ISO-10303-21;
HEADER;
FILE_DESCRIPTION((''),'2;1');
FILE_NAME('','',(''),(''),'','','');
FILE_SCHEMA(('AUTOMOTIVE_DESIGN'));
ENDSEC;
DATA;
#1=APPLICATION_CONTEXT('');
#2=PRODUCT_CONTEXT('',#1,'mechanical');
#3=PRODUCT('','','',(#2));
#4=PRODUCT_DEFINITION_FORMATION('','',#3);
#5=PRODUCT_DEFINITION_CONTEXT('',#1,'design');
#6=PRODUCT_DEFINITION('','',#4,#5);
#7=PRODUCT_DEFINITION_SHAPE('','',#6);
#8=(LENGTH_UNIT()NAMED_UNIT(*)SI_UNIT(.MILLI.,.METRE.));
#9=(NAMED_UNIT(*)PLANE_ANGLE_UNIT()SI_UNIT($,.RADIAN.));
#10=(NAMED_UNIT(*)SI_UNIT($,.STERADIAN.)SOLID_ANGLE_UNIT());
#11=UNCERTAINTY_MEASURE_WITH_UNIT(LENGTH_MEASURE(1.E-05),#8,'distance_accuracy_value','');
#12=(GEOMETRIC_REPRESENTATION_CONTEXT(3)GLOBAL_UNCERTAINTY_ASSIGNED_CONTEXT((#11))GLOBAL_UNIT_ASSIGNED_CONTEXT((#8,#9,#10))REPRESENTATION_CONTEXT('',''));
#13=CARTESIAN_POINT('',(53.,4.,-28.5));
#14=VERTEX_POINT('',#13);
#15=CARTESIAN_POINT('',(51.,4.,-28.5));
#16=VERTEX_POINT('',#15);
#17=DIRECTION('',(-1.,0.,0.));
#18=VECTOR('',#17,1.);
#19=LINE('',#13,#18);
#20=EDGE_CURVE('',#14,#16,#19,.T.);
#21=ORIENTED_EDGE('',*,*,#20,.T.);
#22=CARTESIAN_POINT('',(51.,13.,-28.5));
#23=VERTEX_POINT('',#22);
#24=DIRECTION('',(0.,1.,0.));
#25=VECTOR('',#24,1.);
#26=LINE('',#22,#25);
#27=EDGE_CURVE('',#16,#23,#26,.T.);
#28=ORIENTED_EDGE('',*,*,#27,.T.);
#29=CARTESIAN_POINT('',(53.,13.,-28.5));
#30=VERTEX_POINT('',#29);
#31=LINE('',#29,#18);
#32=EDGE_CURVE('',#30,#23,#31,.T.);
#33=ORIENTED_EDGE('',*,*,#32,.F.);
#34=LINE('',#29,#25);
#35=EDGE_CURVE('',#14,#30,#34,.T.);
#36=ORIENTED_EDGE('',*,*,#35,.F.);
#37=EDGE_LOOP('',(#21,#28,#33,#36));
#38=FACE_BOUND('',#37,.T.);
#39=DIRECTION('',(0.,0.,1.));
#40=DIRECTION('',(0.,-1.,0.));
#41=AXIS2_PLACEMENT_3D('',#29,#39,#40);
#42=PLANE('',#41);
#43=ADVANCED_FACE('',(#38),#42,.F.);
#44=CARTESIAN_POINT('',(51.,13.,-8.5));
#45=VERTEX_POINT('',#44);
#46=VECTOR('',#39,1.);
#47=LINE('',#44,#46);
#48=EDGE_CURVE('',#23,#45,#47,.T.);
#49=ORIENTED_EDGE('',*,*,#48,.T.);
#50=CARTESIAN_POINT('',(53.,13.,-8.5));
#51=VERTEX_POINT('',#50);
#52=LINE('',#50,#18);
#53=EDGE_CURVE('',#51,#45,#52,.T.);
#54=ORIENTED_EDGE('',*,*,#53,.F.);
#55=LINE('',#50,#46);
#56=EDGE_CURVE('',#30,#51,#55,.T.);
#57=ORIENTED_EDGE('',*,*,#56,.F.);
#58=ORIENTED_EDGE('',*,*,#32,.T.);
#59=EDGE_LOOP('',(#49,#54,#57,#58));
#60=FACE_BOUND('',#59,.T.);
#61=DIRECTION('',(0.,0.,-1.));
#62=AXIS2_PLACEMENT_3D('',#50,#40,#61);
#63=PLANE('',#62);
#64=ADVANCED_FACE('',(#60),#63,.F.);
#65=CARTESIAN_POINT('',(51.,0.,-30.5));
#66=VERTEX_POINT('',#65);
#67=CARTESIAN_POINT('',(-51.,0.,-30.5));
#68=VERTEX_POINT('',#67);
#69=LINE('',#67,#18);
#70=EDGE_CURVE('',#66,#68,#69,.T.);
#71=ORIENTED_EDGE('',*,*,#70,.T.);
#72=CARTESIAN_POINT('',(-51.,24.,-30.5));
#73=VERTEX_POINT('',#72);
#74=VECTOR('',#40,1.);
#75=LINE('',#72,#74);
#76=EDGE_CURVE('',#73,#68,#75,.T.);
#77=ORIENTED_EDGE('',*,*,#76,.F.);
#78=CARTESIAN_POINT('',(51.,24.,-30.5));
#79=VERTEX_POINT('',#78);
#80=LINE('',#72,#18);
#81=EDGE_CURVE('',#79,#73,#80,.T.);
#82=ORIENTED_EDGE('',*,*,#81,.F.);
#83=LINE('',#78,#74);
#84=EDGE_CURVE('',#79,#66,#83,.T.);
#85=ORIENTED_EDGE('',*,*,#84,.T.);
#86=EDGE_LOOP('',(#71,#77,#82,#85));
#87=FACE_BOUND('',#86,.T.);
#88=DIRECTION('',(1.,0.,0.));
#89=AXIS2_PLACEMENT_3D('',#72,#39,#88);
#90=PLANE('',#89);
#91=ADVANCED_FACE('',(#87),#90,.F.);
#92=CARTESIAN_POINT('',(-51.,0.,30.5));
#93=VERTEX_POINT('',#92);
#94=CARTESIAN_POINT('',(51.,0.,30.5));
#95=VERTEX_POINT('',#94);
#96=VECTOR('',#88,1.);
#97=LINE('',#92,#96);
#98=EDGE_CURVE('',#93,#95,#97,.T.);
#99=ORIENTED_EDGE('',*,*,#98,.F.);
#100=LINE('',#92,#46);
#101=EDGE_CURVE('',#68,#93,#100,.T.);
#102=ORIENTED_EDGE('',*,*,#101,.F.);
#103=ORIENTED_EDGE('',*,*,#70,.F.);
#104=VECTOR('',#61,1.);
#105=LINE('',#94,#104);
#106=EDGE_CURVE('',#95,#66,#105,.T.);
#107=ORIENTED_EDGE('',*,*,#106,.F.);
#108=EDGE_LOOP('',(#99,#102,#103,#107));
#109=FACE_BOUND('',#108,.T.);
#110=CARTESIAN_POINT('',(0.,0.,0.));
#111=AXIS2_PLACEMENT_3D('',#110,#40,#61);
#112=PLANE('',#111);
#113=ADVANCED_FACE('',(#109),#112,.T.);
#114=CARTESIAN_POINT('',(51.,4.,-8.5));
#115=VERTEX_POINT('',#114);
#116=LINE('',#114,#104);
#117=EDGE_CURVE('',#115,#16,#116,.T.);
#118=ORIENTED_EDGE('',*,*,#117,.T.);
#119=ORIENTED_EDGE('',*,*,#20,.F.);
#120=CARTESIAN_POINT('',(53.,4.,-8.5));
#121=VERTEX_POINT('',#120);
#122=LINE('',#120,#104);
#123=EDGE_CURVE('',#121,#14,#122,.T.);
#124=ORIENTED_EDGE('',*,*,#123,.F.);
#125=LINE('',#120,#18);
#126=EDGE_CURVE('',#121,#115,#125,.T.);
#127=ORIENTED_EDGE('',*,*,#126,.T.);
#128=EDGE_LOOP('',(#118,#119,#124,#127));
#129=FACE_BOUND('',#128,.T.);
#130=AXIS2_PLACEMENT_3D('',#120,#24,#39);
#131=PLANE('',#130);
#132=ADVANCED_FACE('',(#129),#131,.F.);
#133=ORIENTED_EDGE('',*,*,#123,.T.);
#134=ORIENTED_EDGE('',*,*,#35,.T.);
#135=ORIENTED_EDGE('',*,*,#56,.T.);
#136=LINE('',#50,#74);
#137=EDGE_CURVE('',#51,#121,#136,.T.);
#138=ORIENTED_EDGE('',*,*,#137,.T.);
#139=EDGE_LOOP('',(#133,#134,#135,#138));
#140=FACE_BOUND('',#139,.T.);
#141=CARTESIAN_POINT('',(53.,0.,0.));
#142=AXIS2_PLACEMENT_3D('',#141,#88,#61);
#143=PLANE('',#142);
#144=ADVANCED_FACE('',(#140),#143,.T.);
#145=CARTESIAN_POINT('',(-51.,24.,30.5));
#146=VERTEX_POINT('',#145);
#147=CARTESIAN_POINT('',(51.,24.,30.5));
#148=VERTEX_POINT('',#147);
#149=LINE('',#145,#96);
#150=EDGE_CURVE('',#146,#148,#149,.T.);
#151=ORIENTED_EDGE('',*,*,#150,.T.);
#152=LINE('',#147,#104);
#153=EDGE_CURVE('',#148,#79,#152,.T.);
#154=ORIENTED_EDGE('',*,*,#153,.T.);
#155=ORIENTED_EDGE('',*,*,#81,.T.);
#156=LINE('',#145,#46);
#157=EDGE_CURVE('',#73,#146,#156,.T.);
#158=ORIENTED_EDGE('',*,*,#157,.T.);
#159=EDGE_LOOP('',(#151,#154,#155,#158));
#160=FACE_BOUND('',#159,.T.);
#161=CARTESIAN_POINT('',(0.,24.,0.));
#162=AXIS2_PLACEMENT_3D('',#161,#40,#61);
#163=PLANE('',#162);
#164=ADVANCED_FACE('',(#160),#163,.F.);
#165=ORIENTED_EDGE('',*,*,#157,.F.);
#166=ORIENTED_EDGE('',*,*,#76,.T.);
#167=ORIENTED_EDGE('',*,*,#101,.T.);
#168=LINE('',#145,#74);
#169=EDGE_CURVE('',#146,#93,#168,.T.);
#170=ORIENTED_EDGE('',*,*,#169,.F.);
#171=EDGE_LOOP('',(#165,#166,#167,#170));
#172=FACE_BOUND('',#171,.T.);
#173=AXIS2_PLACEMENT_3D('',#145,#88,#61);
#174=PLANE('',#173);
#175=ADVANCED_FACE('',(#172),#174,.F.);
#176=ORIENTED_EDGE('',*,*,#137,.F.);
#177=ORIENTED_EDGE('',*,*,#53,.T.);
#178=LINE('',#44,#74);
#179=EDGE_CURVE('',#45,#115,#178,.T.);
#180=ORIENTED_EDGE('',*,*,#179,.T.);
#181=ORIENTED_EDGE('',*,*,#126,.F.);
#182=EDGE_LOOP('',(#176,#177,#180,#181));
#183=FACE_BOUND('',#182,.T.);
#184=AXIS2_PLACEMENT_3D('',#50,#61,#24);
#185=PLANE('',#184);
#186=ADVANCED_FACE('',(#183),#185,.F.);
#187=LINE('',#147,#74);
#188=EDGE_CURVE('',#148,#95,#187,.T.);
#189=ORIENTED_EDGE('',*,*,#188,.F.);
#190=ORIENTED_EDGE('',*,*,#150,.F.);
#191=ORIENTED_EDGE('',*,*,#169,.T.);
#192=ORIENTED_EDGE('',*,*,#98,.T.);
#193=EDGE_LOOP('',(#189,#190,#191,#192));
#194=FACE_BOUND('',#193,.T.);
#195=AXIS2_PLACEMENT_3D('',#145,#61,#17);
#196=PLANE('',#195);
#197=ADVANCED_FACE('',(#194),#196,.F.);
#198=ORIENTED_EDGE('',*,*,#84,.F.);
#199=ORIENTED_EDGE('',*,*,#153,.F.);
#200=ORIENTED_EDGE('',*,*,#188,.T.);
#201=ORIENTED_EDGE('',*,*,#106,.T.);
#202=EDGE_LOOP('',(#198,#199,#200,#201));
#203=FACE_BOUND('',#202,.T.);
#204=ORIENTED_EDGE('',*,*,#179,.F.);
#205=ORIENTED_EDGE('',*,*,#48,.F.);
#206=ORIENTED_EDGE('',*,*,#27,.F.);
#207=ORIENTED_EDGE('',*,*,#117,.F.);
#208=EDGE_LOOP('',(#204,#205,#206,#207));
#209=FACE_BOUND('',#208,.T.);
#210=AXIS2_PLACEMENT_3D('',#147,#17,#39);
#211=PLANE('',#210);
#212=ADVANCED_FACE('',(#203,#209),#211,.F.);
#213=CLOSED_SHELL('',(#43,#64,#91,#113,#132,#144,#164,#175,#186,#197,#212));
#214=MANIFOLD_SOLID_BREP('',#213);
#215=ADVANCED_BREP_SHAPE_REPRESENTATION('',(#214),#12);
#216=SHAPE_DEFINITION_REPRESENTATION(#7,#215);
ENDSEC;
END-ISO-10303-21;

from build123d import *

# Parameters (mm, degrees)
CROQUIS1_W              = 102
CROQUIS1_H              = 61
SALIENTE_EXTRUIR1_DEPTH = 24
CROQUIS2_W              = 20
CROQUIS2_H              = 9
SALIENTE_EXTRUIR2_DEPTH = 2


with BuildPart() as part:
    # Croquis1 → Saliente-Extruir1 (new body)
    with BuildSketch(Plane(origin=(0, 0, 0), x_dir=(1, 0, 0), z_dir=(0, 1, 0))):
        Rectangle(CROQUIS1_W, CROQUIS1_H)
    extrude(amount=SALIENTE_EXTRUIR1_DEPTH)

    # Croquis2 → Saliente-Extruir2 (add)
    with BuildSketch(Plane(origin=(51, 0, 0), x_dir=(0, 0, -1), z_dir=(1, 0, 0))):
        with Locations((18.5, 8.5)):
            Rectangle(CROQUIS2_W, CROQUIS2_H)
    extrude(amount=SALIENTE_EXTRUIR2_DEPTH)


solid = part.part
